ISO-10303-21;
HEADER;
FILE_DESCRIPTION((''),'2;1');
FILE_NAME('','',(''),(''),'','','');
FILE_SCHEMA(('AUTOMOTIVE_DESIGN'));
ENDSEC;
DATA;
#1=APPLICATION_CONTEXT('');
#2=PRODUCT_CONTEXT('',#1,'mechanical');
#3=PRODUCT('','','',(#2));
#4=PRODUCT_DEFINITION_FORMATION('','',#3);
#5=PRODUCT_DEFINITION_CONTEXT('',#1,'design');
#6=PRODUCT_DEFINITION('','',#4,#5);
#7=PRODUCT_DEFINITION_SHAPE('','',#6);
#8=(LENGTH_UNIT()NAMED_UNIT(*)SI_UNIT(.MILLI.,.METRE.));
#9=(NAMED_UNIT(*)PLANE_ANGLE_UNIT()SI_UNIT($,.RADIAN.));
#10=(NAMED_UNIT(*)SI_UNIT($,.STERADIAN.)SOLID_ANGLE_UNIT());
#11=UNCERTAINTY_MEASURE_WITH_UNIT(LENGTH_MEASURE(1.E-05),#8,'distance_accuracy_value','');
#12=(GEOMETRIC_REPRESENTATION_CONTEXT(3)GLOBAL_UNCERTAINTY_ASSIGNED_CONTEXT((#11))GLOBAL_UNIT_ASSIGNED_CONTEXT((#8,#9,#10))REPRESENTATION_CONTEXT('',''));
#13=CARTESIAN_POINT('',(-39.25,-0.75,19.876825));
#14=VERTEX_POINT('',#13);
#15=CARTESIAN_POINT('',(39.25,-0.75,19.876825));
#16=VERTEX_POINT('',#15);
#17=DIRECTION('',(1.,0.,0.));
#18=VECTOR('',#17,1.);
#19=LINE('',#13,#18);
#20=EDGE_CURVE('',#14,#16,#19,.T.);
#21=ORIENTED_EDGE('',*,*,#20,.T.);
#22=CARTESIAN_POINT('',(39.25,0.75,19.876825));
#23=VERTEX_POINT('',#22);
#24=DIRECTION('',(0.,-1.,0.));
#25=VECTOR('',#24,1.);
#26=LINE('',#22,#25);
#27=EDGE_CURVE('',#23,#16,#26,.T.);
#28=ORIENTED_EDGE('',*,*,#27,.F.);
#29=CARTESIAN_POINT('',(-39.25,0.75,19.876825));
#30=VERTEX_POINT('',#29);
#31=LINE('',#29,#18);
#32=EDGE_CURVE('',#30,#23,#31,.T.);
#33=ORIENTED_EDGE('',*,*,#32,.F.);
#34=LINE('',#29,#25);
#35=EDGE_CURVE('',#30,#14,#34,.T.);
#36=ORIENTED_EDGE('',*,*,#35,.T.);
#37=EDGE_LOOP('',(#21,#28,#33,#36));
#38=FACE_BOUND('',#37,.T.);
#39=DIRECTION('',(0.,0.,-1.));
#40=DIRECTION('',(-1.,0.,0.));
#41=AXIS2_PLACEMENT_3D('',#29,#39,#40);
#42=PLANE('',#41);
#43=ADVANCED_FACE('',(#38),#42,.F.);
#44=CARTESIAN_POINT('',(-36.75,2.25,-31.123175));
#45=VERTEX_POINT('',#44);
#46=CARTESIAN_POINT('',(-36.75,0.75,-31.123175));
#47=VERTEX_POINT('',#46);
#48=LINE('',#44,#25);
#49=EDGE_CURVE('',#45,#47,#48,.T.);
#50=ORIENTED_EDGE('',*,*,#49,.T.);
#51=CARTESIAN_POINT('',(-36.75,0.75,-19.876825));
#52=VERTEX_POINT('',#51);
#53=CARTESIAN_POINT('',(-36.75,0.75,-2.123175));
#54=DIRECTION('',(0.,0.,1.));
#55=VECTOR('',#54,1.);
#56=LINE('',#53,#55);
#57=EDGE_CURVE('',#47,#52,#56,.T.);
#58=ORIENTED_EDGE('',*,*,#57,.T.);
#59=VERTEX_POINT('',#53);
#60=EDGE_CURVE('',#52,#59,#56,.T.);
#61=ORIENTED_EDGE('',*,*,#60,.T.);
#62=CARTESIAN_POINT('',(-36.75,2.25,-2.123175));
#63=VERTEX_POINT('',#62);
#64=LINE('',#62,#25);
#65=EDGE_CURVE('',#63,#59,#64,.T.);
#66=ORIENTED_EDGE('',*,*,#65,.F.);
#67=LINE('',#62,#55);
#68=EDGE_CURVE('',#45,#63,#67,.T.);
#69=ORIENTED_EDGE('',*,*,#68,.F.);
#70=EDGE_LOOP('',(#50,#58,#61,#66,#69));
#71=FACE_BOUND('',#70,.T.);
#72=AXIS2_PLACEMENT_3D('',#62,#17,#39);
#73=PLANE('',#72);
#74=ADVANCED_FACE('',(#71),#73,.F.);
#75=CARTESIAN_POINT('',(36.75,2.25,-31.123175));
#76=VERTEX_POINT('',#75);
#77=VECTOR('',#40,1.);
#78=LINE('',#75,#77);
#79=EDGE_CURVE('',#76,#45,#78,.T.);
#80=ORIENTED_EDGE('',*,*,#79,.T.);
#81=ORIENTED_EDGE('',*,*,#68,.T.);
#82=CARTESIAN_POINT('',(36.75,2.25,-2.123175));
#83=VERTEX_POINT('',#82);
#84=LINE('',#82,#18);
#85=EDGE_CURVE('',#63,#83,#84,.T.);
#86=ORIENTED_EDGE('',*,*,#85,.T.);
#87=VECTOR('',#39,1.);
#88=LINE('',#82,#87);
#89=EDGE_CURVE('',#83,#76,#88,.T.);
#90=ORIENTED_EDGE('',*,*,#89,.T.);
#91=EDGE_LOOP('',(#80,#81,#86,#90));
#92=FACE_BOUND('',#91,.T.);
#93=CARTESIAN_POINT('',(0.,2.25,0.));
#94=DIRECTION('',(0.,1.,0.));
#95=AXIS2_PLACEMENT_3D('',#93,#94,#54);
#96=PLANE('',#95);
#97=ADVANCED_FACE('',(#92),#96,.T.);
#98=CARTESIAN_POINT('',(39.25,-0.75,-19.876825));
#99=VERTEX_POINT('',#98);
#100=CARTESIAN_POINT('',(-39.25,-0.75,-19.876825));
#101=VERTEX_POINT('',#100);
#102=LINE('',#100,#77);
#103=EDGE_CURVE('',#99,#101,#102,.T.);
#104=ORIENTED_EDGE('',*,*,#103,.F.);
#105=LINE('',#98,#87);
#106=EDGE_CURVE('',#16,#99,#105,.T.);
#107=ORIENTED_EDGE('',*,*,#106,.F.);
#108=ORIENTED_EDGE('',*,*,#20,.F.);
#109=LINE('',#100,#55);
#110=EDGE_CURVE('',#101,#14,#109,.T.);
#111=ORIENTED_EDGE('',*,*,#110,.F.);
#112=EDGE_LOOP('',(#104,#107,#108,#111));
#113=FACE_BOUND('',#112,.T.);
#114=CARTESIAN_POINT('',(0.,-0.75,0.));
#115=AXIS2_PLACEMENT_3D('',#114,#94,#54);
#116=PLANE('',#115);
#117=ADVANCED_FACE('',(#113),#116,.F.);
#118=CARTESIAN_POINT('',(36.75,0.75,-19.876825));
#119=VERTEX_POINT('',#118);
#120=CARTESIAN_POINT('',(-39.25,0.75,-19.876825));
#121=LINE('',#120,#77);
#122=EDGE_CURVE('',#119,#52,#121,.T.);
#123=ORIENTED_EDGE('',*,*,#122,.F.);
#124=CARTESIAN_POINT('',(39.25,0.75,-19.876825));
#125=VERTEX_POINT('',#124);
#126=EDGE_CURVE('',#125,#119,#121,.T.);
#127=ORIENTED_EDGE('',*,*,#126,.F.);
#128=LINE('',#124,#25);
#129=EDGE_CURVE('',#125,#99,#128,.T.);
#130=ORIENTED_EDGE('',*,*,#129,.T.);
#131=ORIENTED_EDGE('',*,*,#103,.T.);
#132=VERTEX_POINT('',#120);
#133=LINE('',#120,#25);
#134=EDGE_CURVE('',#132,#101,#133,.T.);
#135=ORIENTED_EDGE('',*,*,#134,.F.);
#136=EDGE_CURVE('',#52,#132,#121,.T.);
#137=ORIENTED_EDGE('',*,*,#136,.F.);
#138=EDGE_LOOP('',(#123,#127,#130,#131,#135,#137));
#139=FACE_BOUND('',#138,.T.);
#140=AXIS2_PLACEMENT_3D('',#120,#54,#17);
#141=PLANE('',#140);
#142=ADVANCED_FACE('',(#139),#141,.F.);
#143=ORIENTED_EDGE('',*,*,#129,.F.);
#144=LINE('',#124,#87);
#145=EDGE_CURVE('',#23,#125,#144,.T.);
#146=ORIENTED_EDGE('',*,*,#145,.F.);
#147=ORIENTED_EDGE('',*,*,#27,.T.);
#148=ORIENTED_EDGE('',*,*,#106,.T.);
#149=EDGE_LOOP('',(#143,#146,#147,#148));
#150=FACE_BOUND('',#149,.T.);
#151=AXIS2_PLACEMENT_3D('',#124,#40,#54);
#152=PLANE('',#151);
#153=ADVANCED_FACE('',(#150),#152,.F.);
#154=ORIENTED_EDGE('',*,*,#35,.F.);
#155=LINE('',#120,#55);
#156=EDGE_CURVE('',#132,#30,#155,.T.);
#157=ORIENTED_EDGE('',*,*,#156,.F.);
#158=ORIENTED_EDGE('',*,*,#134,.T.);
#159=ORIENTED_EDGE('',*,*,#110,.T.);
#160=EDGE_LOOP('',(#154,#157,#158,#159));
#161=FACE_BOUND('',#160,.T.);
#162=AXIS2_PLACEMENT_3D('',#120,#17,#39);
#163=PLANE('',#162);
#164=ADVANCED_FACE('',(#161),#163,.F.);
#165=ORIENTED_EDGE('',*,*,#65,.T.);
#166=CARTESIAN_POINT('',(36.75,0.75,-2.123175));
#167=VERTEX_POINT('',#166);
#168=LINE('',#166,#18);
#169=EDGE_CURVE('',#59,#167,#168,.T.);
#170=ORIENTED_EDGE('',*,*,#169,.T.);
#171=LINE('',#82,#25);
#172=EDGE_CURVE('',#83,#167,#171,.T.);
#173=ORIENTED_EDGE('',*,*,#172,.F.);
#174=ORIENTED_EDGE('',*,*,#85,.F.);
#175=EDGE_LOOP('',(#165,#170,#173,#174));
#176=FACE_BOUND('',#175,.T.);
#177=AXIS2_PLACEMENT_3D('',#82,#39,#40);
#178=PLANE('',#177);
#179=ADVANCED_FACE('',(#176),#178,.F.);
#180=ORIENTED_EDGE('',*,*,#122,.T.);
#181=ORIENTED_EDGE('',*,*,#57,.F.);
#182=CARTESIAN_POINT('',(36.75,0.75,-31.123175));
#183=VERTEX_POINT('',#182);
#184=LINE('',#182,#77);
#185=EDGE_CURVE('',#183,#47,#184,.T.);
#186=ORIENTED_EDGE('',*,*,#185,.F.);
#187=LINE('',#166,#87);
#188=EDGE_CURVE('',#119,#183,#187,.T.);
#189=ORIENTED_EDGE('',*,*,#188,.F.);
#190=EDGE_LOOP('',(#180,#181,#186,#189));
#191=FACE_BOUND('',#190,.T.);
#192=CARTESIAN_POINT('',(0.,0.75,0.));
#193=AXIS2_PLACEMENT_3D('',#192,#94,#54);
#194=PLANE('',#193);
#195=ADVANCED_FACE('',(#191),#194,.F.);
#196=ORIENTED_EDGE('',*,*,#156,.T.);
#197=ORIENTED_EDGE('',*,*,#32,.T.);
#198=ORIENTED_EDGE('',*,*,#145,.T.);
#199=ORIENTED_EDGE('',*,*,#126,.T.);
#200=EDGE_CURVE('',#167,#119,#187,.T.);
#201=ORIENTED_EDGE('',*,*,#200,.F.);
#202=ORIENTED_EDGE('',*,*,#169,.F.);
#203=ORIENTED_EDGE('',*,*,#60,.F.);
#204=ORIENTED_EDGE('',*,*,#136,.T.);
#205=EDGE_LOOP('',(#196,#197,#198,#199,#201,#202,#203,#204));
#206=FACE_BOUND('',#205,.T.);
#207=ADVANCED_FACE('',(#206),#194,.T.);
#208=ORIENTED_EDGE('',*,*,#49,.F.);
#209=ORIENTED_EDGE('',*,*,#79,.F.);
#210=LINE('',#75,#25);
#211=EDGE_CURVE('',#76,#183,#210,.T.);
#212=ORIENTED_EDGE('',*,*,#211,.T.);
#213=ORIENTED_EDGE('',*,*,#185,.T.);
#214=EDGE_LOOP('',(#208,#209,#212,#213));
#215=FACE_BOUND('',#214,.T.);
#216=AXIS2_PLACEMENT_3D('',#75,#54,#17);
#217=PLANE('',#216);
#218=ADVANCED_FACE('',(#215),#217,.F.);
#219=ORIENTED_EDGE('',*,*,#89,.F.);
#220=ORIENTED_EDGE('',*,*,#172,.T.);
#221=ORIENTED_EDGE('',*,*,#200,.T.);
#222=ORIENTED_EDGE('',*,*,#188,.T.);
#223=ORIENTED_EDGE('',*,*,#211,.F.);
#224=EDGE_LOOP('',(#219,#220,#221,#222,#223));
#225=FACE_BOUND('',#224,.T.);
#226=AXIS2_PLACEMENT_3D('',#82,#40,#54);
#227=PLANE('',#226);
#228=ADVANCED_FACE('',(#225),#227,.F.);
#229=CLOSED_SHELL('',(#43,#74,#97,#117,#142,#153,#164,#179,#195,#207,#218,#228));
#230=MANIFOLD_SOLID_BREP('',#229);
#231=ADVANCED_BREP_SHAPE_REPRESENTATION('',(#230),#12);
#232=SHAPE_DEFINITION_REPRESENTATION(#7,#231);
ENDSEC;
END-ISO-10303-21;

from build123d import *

# Parameters (mm, degrees)
SKETCH2_W           = 78.5
SKETCH2_H           = 39.753650764
BOSS_EXTRUDE1_DEPTH = 0.75
SKETCH3_W           = 73.5
SKETCH3_H           = 29
BOSS_EXTRUDE2_DEPTH = 1.5


with BuildPart() as part:
    # Sketch2 → Boss-Extrude1 (new, symmetric)
    with BuildSketch(Plane(origin=(0, 0, 0), x_dir=(1, 0, 0), z_dir=(0, 1, 0))):
        Rectangle(SKETCH2_W, SKETCH2_H)
    extrude(amount=BOSS_EXTRUDE1_DEPTH, both=True)

    # Sketch3 → Boss-Extrude2 (add)
    with BuildSketch(Plane(origin=(0, 0.75, 0), x_dir=(1, 0, 0), z_dir=(0, 1, 0))):
        with Locations((0, 16.623174618)):
            Rectangle(SKETCH3_W, SKETCH3_H)
    extrude(amount=BOSS_EXTRUDE2_DEPTH)


solid = part.part
